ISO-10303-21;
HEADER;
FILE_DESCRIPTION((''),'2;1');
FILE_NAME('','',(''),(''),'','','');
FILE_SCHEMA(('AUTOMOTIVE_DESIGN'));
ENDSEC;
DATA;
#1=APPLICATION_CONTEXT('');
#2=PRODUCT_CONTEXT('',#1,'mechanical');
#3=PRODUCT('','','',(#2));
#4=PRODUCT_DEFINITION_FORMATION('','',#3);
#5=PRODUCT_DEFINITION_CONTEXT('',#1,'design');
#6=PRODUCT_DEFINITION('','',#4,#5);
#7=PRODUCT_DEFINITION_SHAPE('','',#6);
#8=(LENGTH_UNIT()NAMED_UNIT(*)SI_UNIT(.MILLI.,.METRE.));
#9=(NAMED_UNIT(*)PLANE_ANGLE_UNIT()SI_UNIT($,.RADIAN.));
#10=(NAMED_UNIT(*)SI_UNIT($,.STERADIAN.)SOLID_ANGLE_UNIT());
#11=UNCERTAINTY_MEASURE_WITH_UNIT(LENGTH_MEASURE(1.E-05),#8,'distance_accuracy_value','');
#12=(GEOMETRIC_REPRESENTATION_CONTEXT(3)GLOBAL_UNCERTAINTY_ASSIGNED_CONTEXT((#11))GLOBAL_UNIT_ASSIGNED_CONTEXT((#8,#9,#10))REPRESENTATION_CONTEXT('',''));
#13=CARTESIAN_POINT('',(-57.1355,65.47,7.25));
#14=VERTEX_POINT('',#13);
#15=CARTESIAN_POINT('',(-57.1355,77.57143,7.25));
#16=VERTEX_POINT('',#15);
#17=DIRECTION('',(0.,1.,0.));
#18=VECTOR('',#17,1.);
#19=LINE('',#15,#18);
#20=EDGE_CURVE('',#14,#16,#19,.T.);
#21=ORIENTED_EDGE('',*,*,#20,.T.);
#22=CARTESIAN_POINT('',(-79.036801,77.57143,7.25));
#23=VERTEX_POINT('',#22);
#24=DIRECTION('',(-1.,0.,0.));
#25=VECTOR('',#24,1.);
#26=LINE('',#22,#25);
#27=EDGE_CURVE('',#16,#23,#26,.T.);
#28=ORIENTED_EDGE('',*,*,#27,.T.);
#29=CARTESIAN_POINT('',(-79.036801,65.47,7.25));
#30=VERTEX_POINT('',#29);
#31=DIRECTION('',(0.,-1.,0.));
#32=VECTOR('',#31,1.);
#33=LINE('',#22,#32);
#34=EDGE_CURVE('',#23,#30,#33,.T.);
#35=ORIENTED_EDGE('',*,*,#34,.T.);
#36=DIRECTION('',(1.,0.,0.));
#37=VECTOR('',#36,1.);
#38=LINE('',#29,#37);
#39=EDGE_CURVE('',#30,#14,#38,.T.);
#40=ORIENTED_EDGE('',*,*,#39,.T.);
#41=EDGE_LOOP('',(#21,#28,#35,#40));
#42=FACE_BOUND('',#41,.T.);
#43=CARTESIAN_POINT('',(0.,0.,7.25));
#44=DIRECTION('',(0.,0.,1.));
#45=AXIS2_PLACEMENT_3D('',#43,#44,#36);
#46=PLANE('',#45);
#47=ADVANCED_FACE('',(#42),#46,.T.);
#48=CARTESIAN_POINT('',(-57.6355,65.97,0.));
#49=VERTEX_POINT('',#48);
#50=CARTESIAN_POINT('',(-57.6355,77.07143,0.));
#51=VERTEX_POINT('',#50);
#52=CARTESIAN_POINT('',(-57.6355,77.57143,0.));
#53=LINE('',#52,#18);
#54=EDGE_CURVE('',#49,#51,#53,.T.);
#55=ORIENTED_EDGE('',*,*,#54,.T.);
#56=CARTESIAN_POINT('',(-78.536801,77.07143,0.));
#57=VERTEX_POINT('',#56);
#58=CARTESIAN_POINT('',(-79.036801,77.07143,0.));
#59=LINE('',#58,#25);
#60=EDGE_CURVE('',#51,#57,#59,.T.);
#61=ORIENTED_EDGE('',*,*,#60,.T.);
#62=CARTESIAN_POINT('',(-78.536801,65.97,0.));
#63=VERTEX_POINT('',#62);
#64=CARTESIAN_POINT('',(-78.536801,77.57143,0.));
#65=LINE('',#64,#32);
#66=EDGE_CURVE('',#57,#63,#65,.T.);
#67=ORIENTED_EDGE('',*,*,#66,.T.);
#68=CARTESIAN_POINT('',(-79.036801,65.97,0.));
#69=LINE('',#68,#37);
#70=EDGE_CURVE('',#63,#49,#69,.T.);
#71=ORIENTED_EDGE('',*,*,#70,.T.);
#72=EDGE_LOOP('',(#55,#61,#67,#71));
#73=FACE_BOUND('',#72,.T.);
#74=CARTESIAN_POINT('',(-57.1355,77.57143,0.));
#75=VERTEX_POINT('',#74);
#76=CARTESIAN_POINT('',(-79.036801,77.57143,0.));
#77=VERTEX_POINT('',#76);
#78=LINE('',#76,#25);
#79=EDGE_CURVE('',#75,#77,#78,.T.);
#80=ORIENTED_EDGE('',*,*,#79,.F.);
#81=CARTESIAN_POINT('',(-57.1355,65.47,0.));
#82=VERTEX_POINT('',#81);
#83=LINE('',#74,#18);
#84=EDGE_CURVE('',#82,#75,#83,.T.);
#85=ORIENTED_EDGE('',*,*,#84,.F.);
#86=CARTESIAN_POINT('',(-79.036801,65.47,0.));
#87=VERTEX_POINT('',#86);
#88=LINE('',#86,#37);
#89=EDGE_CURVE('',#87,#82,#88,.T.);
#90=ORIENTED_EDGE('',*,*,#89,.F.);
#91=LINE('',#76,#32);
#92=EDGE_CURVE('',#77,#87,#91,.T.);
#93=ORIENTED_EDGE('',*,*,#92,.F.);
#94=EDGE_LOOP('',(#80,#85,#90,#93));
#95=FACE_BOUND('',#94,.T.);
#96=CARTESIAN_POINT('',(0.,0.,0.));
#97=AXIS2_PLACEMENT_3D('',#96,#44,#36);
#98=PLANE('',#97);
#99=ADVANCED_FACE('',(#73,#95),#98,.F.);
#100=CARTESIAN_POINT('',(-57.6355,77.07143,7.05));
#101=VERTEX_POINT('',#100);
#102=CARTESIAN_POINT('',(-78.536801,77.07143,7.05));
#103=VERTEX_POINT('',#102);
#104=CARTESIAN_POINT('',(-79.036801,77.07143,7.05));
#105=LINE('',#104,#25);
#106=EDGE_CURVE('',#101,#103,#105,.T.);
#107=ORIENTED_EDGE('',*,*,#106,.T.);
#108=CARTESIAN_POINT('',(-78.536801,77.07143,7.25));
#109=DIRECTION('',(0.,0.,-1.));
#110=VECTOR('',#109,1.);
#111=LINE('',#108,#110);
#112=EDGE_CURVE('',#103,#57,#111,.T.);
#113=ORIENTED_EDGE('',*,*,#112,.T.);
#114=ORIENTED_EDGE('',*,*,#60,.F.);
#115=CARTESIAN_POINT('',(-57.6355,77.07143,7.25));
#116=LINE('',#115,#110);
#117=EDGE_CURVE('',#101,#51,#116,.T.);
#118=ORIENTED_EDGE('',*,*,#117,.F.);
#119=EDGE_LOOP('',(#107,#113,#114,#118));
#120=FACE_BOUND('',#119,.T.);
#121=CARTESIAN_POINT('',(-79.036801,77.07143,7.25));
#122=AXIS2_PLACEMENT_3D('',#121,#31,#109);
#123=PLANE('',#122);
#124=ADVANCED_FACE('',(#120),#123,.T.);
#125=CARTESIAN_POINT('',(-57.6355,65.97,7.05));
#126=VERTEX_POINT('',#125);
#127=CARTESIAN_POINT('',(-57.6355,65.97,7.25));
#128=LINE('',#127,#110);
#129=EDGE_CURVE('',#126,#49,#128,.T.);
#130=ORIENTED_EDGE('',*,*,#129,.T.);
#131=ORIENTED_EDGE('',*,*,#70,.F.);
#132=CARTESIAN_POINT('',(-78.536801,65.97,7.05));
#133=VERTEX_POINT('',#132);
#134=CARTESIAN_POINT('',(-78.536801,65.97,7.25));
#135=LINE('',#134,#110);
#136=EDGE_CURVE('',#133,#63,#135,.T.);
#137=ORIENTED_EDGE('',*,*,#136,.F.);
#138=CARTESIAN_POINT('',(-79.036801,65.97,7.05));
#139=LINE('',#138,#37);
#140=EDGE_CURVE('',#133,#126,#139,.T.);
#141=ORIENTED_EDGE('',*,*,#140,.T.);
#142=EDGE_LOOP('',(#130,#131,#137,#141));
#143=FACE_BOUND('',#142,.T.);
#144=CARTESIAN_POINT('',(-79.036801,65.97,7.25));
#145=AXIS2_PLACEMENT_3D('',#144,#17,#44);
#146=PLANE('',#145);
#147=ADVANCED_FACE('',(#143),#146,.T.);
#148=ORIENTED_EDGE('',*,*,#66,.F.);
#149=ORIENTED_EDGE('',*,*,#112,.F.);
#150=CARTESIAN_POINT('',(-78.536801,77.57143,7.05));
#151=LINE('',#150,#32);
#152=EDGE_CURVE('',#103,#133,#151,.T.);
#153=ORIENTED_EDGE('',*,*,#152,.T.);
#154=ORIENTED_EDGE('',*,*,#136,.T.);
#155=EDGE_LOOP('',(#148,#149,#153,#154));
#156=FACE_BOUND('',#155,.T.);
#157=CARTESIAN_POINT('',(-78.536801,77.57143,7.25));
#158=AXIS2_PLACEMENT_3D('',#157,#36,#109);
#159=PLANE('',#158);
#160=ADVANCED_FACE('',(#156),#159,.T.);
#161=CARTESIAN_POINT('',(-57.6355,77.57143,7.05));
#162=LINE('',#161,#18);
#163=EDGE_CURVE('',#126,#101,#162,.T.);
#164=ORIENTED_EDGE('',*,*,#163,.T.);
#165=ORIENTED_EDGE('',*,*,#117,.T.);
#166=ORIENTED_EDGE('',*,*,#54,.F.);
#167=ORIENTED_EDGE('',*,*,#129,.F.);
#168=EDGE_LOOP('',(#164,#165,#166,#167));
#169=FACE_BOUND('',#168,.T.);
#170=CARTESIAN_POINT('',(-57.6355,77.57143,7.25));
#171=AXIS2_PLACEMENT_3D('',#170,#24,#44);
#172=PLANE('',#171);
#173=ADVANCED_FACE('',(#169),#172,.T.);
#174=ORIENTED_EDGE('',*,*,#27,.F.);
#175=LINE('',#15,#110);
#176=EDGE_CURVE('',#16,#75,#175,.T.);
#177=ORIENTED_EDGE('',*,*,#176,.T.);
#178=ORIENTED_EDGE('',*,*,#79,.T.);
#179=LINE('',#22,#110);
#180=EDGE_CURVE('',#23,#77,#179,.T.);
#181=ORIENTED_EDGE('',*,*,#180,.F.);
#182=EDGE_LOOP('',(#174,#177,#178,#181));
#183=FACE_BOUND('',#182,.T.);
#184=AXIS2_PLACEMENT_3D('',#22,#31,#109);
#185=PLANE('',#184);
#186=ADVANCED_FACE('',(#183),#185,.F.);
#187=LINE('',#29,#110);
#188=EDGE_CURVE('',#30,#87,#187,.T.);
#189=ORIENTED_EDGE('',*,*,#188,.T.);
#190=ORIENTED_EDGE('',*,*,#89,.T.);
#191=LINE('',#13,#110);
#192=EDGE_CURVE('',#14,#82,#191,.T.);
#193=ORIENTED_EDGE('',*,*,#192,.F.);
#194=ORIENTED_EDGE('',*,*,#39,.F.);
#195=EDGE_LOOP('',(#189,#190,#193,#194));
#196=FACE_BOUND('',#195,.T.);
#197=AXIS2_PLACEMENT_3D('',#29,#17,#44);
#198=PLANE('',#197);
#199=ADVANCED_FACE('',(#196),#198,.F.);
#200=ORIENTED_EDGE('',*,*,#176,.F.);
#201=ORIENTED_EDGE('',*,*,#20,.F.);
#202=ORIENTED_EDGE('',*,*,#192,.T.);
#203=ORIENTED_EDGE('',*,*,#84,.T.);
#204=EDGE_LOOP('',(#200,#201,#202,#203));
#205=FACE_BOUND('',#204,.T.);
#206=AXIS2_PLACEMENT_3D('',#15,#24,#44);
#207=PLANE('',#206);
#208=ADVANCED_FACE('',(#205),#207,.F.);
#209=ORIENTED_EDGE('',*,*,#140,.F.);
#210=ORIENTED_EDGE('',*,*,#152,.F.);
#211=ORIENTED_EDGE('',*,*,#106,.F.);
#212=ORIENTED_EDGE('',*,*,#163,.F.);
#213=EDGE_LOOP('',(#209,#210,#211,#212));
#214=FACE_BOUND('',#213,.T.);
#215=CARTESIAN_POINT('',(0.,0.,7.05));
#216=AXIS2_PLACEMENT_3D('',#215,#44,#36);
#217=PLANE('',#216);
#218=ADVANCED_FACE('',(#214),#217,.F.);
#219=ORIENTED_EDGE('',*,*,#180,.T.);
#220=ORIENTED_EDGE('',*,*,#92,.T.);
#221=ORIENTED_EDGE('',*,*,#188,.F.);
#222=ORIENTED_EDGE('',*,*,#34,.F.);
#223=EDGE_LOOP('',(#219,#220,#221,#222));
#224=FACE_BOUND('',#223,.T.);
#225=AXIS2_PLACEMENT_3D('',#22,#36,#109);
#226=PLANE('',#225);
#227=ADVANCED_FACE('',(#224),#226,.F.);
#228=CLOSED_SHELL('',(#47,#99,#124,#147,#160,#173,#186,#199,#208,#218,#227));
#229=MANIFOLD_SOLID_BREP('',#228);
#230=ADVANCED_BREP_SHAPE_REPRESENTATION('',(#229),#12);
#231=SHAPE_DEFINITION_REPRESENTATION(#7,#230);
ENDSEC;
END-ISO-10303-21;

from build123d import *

# Parameters (mm, degrees)
SKETCH1_W                 = 21.90130149
SKETCH1_H                 = 12.101430126
BOSS_EXTRUDE1_DEPTH       = 7.25
SHELL1_T                  = -0.5
SHELL1_THICKNESS_2_FACE_W = 20.90130149
SHELL1_THICKNESS_2_FACE_H = 11.101430126
SHELL1_THICKNESS_2_DEPTH  = 0.3


with BuildPart() as part:
    # Sketch1 → Boss-Extrude1 (new body)
    with BuildSketch(Plane.XY):
        with Locations((-68.086150745, 71.520715063)):
            Rectangle(SKETCH1_W, SKETCH1_H)
    extrude(amount=BOSS_EXTRUDE1_DEPTH)

    # Shell1
    shell1_openings = [part.faces().sort_by_distance(p)[0] for p in [
        (-68.086150745, 71.520715063, 0),
    ]]
    offset(amount=SHELL1_T, openings=shell1_openings, kind=Kind.INTERSECTION)

    # Shell1 thickness 2 face (on inner face of the shell) → Shell1 thickness 2 (cut)
    with BuildSketch(Plane(origin=(-68.086150745, 71.520715063, 6.75), x_dir=(1, 0, 0), z_dir=(0, 0, 1))):
        Rectangle(SHELL1_THICKNESS_2_FACE_W, SHELL1_THICKNESS_2_FACE_H)
    extrude(amount=SHELL1_THICKNESS_2_DEPTH, mode=Mode.SUBTRACT)


solid = part.part
